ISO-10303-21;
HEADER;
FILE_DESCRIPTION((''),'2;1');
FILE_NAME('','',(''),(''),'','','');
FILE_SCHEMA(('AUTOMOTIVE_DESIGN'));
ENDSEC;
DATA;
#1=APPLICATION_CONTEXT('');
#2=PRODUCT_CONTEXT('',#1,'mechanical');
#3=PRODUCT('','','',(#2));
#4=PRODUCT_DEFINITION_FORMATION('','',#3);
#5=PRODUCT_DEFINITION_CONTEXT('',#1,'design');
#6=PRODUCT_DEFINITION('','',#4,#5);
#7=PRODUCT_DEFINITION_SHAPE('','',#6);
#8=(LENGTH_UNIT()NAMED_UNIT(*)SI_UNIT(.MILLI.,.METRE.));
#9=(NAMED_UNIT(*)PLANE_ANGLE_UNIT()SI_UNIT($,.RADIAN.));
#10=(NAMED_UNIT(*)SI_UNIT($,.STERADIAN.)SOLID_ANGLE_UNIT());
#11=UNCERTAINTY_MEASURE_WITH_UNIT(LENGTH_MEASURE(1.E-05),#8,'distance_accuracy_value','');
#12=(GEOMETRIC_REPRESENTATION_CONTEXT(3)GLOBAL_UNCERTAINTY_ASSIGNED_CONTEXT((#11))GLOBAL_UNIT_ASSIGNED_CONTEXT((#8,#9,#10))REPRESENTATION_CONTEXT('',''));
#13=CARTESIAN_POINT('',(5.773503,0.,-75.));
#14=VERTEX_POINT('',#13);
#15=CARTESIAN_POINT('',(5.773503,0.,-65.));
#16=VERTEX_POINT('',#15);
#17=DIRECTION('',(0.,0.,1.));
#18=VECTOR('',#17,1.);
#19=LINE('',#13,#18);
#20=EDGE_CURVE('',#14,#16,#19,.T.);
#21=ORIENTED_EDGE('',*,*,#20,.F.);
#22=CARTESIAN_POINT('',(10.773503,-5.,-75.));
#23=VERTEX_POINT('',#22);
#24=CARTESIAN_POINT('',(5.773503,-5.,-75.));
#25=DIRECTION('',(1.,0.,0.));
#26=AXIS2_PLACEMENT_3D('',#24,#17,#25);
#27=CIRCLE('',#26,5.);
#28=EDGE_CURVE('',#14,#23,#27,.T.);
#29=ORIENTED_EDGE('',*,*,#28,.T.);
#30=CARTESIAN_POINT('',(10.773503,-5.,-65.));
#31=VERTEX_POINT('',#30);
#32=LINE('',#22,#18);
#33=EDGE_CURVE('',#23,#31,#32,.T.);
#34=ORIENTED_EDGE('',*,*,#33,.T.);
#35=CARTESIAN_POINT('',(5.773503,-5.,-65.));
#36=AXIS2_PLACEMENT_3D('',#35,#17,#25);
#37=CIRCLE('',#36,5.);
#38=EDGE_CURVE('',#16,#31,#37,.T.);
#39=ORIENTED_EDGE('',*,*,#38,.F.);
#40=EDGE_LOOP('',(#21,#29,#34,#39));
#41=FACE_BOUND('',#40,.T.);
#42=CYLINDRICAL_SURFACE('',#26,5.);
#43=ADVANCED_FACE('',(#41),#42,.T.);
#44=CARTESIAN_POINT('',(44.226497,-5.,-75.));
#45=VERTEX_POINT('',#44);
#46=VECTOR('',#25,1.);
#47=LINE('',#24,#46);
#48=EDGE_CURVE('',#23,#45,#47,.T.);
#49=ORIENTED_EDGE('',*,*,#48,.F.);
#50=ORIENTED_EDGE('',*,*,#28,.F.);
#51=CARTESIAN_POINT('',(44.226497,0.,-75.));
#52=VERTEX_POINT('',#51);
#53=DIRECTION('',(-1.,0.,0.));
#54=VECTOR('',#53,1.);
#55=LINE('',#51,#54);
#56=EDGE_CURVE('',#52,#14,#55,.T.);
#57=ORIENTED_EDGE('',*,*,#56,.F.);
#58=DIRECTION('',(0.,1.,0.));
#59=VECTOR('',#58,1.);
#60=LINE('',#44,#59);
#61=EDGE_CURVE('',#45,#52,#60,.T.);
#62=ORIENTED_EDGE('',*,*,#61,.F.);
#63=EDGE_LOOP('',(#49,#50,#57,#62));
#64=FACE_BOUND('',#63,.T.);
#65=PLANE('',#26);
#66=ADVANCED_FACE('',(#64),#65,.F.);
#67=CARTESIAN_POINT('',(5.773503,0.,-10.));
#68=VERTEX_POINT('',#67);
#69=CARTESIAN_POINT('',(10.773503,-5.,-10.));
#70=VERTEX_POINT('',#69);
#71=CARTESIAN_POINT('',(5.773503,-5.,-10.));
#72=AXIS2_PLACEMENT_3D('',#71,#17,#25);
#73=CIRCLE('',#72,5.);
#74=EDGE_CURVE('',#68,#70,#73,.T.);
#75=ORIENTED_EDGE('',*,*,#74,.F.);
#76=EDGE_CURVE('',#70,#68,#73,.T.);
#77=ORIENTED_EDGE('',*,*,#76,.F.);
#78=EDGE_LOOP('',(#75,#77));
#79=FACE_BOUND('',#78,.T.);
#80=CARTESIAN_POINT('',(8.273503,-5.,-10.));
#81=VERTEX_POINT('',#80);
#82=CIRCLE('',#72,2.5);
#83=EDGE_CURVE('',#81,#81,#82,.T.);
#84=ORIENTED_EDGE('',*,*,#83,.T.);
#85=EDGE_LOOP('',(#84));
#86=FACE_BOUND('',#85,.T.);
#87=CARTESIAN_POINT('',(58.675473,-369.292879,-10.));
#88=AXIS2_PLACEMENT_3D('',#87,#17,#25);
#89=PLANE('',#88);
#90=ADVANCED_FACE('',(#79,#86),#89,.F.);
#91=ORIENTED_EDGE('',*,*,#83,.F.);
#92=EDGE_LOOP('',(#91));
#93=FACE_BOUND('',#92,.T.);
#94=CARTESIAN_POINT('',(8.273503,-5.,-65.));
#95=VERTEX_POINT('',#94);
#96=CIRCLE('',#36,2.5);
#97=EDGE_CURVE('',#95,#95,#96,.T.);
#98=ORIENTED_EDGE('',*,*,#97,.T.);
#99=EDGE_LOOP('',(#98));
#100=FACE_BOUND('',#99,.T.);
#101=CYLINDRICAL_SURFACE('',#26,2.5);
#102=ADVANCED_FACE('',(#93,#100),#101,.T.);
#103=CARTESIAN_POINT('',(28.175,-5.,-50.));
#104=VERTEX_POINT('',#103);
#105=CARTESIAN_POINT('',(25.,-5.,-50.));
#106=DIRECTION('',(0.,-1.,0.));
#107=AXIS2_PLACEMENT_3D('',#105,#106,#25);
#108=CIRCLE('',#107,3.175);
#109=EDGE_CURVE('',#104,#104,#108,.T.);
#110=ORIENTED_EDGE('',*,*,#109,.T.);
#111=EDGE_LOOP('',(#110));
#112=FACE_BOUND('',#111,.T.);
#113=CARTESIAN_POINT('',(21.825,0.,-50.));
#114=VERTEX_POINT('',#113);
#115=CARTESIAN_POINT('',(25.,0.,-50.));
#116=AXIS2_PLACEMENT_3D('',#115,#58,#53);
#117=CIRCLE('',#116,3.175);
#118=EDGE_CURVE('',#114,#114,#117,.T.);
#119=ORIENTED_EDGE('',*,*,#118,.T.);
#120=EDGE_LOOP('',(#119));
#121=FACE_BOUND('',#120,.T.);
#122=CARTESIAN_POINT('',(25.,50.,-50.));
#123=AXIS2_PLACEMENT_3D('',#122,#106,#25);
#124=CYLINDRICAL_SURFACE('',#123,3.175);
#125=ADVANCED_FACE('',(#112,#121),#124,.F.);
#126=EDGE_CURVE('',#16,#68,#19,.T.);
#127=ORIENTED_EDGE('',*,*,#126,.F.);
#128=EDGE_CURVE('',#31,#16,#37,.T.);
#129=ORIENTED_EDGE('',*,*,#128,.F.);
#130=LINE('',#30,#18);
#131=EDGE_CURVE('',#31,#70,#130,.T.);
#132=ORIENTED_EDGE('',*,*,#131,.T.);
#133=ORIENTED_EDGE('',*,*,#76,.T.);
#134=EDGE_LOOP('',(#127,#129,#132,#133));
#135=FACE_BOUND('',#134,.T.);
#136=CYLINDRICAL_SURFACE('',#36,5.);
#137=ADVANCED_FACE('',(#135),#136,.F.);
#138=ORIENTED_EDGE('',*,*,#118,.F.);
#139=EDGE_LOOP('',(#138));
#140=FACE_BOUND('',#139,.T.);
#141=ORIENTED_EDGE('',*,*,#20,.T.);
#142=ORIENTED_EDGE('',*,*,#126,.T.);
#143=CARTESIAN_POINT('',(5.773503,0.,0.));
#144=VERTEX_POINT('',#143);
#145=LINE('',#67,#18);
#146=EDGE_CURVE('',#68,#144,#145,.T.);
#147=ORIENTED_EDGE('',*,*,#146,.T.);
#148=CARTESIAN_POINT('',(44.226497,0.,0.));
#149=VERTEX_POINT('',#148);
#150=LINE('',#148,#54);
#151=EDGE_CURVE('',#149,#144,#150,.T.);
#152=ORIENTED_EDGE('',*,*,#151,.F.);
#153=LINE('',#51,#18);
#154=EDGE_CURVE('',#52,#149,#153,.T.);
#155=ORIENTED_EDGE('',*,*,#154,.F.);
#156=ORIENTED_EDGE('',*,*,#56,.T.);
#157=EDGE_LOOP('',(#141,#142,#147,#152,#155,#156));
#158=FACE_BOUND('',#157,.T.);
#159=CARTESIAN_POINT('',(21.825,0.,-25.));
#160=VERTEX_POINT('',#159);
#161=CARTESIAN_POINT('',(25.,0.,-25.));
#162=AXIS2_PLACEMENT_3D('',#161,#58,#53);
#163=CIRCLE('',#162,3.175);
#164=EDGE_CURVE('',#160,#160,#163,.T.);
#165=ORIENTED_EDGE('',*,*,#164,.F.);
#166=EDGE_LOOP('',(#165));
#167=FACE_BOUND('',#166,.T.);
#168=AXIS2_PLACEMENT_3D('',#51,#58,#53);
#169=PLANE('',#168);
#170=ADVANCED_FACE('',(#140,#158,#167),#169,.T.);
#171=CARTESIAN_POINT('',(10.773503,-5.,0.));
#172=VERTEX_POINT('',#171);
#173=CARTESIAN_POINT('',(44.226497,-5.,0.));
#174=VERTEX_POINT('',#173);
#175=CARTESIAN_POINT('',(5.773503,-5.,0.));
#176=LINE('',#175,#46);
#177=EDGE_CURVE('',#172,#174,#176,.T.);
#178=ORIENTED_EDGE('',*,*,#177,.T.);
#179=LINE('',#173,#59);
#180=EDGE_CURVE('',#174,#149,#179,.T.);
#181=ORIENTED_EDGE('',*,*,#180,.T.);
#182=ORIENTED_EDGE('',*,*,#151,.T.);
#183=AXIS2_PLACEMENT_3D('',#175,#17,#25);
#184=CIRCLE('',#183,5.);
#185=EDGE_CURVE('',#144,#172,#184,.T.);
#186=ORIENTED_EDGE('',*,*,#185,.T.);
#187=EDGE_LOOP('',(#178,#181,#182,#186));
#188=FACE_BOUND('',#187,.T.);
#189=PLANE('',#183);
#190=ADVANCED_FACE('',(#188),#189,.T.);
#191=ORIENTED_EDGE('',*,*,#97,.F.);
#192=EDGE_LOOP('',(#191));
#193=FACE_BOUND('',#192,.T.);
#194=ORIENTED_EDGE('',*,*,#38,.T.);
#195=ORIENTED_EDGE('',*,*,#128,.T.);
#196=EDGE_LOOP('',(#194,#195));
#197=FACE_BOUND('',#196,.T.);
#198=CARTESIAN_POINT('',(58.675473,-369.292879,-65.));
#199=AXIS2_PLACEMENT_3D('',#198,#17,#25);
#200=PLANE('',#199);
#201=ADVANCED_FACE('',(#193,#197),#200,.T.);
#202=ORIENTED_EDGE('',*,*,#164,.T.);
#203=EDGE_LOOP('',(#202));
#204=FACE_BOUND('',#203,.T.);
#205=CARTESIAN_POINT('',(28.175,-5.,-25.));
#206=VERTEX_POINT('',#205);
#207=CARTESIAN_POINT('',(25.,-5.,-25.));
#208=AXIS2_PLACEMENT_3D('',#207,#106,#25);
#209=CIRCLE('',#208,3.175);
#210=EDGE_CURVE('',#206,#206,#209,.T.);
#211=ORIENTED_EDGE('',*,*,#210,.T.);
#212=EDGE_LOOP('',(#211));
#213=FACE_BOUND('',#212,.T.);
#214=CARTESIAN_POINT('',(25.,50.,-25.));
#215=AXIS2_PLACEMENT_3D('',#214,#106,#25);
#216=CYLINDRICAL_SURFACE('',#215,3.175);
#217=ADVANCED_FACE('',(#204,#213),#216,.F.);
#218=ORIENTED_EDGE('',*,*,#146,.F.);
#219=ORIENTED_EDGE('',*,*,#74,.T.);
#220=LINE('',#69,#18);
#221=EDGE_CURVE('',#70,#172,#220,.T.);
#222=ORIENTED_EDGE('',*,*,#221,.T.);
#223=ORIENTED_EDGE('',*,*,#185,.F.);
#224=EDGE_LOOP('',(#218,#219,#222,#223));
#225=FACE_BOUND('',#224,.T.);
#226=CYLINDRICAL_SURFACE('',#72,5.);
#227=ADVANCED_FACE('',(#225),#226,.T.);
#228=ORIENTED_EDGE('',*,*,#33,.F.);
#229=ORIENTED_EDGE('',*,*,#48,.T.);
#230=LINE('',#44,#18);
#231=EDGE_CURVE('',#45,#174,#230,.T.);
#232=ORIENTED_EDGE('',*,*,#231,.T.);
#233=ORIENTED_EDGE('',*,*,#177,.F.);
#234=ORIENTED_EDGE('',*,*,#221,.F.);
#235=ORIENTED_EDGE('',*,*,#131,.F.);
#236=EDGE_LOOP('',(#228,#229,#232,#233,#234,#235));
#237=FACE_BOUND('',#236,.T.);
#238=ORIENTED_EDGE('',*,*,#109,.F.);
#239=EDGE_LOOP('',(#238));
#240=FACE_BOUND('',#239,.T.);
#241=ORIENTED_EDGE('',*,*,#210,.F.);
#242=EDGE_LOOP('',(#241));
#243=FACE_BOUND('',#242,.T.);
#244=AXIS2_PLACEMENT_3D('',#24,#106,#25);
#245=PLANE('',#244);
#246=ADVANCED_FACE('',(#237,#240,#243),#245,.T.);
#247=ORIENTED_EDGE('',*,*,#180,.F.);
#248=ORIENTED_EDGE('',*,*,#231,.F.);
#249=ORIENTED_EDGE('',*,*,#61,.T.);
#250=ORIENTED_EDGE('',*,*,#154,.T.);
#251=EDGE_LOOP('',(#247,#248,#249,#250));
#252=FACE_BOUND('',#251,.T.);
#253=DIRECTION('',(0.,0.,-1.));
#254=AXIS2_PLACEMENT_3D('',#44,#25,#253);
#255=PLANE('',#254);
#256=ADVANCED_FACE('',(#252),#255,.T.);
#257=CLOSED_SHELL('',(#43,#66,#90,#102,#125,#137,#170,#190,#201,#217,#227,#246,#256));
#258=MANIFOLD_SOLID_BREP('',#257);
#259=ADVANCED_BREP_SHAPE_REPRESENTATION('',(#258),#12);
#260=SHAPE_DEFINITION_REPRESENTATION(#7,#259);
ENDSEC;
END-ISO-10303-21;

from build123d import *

# Parameters (mm, degrees)
SKETCH1_W           = 38.452994616
SKETCH1_H           = 5
BOSS_EXTRUDE1_DEPTH = 75
BOSS_EXTRUDE2_DEPTH = 10
BOSS_EXTRUDE4_DEPTH = 75
BOSS_EXTRUDE5_START = -65
BOSS_EXTRUDE5_DEPTH = 10
CUT_EXTRUDE7_START  = -10
CUT_EXTRUDE7_DEPTH  = 55
SKETCH5_R           = 3.175
CUT_EXTRUDE8_DEPTH  = 55


with BuildPart() as part:
    # Sketch1 → Boss-Extrude1 (new body)
    with BuildSketch(Plane.XY):
        with Locations((25, -2.5)):
            Rectangle(SKETCH1_W, SKETCH1_H)
    extrude(amount=-BOSS_EXTRUDE1_DEPTH)

    # Sketch1<4> → Boss-Extrude2 (add)
    with BuildSketch(Plane.XY):
        with BuildLine():
            ThreePointArc((5.773502692, 0), (2.237968786, -8.535533906), (10.773502692, -5))
            Line((10.773502692, -5), (5.773502692, -5))
            Line((5.773502692, -5), (5.773502692, 0))
        make_face()
    extrude(amount=-BOSS_EXTRUDE2_DEPTH)

    # Sketch1<11> → Boss-Extrude4 (add)
    with BuildSketch(Plane.XY):
        with BuildLine():
            Line((5.773502692, -5), (5.773502692, -2.5))
            ThreePointArc((5.773502692, -2.5), (4.005735739, -6.767766953), (8.273502692, -5))
            Line((8.273502692, -5), (5.773502692, -5))
        make_face()
    extrude(amount=-BOSS_EXTRUDE4_DEPTH)

    # Sketch1<12> → Boss-Extrude5 (add)
    with BuildSketch(Plane.XY.offset(BOSS_EXTRUDE5_START)):
        with BuildLine():
            Line((5.773502692, -2.5), (5.773502692, 0))
            ThreePointArc((5.773502692, 0), (3.273502704, -0.669872974), (1.443375686, -2.499999977))
            ThreePointArc((1.443375686, -2.499999977), (4.479407453, -9.829629128), (10.773502692, -5))
            Line((10.773502692, -5), (8.273502692, -5))
            ThreePointArc((8.273502692, -5), (4.005735739, -6.767766953), (5.773502692, -2.5))
        make_face()
    extrude(amount=-BOSS_EXTRUDE5_DEPTH)

    # Sketch1<13> → Cut-Extrude7 (cut)
    with BuildSketch(Plane.XY.offset(CUT_EXTRUDE7_START)):
        with BuildLine():
            ThreePointArc((10.773502692, -5), (9.309036598, -1.464466094), (5.773502692, 0))
            Line((5.773502692, 0), (5.773502692, -2.5))
            ThreePointArc((5.773502692, -2.5), (7.541269645, -3.232233047), (8.273502692, -5))
            Line((8.273502692, -5), (10.773502692, -5))
        make_face()
    extrude(amount=-CUT_EXTRUDE7_DEPTH, mode=Mode.SUBTRACT)

    # Sketch5 → Cut-Extrude8 (cut)
    with BuildSketch(Plane.XZ.offset(5)):
        with Locations((25, -25)):
            Circle(SKETCH5_R)
        with Locations((25, -50)):
            Circle(SKETCH5_R)
    extrude(amount=-CUT_EXTRUDE8_DEPTH, mode=Mode.SUBTRACT)


solid = part.part
